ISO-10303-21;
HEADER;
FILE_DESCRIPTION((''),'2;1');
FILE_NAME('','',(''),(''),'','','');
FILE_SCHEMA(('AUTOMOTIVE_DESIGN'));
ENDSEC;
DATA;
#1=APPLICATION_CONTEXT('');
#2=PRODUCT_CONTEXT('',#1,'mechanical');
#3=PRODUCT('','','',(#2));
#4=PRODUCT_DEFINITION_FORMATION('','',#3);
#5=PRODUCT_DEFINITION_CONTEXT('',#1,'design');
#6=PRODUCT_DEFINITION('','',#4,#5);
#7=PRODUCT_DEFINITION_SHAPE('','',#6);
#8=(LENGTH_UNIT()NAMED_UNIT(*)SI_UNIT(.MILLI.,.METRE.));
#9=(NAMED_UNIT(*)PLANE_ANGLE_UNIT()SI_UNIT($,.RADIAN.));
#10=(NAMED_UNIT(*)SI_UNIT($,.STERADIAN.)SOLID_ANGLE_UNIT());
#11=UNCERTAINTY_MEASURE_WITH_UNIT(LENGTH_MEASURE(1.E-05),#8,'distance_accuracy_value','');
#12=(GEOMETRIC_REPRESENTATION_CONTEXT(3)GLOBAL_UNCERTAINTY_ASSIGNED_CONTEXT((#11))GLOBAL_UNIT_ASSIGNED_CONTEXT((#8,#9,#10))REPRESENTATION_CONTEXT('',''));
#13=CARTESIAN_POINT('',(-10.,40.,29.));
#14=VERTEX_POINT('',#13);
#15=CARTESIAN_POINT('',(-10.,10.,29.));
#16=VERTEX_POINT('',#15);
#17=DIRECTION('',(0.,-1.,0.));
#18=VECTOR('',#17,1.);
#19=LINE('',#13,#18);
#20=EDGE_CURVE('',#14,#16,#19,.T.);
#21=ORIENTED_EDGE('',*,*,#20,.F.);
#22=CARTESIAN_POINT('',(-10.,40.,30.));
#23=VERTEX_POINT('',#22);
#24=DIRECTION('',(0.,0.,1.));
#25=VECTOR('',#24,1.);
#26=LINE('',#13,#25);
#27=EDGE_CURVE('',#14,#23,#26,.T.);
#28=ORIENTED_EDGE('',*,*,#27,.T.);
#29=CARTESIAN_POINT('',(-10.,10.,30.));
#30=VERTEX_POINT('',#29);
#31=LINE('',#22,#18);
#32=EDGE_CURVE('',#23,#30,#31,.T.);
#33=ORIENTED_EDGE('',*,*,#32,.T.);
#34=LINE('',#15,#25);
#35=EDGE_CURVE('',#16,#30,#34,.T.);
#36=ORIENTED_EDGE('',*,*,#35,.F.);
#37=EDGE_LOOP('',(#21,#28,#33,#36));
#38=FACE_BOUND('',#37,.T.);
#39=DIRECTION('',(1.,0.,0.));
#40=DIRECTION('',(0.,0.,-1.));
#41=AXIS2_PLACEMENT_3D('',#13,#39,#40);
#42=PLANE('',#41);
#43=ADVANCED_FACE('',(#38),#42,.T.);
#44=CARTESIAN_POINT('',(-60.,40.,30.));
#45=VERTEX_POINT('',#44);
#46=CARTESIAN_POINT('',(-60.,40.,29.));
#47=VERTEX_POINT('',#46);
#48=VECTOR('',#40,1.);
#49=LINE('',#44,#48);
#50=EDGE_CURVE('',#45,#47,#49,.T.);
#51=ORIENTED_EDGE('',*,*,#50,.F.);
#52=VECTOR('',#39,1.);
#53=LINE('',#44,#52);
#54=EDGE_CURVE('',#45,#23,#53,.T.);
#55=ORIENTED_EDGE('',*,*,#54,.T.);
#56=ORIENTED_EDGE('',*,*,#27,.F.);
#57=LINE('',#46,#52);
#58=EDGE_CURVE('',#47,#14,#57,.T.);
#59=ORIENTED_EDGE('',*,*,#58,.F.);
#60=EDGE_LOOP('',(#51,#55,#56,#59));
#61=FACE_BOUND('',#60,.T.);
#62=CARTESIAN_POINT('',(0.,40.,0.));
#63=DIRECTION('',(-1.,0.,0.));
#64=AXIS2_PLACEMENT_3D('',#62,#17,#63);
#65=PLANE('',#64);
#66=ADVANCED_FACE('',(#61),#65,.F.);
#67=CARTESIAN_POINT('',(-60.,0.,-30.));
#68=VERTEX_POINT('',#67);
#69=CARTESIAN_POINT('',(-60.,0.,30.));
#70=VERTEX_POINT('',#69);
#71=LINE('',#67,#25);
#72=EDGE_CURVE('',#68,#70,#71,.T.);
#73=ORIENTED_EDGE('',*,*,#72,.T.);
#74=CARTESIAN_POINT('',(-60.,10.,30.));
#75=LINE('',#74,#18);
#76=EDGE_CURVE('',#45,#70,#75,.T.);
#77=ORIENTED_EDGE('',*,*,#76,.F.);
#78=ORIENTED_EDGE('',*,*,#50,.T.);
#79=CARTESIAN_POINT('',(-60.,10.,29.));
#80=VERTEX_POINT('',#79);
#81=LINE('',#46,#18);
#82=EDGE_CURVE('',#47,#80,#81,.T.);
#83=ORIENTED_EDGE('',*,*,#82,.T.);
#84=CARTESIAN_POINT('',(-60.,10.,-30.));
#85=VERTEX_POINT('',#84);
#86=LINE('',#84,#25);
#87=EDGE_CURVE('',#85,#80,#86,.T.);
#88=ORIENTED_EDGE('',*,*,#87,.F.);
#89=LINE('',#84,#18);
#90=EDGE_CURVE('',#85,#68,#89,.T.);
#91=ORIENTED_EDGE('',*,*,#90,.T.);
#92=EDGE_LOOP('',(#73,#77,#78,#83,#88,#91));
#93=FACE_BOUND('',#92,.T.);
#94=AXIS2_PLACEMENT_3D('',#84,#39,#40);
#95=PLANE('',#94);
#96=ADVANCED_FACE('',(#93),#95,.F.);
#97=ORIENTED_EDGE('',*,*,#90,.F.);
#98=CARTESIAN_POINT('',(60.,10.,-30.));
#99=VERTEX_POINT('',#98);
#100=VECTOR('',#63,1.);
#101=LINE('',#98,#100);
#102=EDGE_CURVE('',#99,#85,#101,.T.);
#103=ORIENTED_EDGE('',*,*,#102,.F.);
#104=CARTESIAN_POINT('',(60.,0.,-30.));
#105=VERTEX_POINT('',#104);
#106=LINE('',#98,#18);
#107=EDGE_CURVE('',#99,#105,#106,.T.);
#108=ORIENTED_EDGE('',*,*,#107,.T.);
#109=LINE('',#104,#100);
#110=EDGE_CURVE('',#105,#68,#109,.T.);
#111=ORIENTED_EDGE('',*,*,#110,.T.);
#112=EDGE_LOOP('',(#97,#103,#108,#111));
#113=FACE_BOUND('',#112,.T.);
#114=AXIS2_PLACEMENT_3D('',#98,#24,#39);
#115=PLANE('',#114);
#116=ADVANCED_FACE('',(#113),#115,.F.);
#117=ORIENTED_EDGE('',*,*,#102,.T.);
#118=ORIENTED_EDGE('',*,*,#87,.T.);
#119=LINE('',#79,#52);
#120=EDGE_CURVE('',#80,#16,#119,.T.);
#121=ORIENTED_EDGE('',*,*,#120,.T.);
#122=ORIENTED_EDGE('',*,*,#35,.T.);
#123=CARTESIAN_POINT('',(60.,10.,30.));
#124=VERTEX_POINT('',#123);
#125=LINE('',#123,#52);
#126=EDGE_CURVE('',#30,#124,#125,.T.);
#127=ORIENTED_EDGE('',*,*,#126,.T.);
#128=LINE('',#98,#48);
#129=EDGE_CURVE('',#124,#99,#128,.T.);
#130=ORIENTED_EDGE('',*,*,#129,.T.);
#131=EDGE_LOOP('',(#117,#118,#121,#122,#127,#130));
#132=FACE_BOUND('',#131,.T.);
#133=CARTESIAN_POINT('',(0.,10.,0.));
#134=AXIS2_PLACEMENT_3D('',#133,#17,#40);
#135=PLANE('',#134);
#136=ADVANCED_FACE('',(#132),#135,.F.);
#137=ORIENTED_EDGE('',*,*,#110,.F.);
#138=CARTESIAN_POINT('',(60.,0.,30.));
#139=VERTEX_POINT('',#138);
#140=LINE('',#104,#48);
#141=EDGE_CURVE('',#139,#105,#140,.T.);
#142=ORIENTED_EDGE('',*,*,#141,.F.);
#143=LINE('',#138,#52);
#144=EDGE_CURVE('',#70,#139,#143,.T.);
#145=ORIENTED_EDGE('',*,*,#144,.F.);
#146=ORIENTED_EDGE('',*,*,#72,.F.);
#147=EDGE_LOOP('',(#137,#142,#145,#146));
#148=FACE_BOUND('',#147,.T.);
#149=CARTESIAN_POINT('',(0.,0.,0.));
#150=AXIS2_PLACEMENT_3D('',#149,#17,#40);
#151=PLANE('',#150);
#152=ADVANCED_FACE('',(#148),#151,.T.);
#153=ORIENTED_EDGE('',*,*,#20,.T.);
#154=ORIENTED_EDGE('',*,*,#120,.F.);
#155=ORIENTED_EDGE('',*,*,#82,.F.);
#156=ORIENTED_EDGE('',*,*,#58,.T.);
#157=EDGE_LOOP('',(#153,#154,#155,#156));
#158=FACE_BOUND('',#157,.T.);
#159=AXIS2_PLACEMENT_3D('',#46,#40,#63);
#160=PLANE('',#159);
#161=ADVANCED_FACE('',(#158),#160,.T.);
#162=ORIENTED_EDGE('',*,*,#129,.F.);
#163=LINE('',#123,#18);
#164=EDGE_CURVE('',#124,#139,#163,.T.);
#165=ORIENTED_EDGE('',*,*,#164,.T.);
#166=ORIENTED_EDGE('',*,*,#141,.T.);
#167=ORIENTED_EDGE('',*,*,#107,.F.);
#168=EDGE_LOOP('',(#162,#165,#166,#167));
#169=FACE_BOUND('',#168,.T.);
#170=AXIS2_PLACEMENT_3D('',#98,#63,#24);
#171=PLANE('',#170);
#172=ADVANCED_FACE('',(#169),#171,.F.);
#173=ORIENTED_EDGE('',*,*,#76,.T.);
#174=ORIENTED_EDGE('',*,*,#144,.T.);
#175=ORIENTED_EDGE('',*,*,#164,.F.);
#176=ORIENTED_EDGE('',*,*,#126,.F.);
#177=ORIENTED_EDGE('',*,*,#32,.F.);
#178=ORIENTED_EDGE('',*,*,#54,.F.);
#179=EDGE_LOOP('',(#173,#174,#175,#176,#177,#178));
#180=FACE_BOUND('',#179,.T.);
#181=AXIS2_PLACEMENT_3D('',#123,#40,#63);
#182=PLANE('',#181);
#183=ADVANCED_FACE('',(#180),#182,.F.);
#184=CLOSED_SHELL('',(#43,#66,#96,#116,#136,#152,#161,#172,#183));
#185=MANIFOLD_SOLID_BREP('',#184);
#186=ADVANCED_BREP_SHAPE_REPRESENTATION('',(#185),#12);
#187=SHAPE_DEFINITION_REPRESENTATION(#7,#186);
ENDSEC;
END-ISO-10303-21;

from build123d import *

# Parameters (mm, degrees)
SKETCH1_W           = 120
SKETCH1_H           = 60
BOSS_EXTRUDE1_DEPTH = 10
SKETCH3_W           = 50
SKETCH3_H           = 1
EXTRUDE_THIN4_DEPTH = 30


with BuildPart() as part:
    # Sketch1 → Boss-Extrude1 (new body)
    with BuildSketch(Plane(origin=(0, 0, 0), x_dir=(1, 0, 0), z_dir=(0, 1, 0))):
        Rectangle(SKETCH1_W, SKETCH1_H)
    extrude(amount=BOSS_EXTRUDE1_DEPTH)

    # Sketch3 → Extrude-Thin4 (add)
    with BuildSketch(Plane(origin=(0, 10, 0), x_dir=(1, 0, 0), z_dir=(0, 1, 0))):
        with Locations((-35, -29.5)):
            Rectangle(SKETCH3_W, SKETCH3_H)
    extrude(amount=EXTRUDE_THIN4_DEPTH)


solid = part.part
